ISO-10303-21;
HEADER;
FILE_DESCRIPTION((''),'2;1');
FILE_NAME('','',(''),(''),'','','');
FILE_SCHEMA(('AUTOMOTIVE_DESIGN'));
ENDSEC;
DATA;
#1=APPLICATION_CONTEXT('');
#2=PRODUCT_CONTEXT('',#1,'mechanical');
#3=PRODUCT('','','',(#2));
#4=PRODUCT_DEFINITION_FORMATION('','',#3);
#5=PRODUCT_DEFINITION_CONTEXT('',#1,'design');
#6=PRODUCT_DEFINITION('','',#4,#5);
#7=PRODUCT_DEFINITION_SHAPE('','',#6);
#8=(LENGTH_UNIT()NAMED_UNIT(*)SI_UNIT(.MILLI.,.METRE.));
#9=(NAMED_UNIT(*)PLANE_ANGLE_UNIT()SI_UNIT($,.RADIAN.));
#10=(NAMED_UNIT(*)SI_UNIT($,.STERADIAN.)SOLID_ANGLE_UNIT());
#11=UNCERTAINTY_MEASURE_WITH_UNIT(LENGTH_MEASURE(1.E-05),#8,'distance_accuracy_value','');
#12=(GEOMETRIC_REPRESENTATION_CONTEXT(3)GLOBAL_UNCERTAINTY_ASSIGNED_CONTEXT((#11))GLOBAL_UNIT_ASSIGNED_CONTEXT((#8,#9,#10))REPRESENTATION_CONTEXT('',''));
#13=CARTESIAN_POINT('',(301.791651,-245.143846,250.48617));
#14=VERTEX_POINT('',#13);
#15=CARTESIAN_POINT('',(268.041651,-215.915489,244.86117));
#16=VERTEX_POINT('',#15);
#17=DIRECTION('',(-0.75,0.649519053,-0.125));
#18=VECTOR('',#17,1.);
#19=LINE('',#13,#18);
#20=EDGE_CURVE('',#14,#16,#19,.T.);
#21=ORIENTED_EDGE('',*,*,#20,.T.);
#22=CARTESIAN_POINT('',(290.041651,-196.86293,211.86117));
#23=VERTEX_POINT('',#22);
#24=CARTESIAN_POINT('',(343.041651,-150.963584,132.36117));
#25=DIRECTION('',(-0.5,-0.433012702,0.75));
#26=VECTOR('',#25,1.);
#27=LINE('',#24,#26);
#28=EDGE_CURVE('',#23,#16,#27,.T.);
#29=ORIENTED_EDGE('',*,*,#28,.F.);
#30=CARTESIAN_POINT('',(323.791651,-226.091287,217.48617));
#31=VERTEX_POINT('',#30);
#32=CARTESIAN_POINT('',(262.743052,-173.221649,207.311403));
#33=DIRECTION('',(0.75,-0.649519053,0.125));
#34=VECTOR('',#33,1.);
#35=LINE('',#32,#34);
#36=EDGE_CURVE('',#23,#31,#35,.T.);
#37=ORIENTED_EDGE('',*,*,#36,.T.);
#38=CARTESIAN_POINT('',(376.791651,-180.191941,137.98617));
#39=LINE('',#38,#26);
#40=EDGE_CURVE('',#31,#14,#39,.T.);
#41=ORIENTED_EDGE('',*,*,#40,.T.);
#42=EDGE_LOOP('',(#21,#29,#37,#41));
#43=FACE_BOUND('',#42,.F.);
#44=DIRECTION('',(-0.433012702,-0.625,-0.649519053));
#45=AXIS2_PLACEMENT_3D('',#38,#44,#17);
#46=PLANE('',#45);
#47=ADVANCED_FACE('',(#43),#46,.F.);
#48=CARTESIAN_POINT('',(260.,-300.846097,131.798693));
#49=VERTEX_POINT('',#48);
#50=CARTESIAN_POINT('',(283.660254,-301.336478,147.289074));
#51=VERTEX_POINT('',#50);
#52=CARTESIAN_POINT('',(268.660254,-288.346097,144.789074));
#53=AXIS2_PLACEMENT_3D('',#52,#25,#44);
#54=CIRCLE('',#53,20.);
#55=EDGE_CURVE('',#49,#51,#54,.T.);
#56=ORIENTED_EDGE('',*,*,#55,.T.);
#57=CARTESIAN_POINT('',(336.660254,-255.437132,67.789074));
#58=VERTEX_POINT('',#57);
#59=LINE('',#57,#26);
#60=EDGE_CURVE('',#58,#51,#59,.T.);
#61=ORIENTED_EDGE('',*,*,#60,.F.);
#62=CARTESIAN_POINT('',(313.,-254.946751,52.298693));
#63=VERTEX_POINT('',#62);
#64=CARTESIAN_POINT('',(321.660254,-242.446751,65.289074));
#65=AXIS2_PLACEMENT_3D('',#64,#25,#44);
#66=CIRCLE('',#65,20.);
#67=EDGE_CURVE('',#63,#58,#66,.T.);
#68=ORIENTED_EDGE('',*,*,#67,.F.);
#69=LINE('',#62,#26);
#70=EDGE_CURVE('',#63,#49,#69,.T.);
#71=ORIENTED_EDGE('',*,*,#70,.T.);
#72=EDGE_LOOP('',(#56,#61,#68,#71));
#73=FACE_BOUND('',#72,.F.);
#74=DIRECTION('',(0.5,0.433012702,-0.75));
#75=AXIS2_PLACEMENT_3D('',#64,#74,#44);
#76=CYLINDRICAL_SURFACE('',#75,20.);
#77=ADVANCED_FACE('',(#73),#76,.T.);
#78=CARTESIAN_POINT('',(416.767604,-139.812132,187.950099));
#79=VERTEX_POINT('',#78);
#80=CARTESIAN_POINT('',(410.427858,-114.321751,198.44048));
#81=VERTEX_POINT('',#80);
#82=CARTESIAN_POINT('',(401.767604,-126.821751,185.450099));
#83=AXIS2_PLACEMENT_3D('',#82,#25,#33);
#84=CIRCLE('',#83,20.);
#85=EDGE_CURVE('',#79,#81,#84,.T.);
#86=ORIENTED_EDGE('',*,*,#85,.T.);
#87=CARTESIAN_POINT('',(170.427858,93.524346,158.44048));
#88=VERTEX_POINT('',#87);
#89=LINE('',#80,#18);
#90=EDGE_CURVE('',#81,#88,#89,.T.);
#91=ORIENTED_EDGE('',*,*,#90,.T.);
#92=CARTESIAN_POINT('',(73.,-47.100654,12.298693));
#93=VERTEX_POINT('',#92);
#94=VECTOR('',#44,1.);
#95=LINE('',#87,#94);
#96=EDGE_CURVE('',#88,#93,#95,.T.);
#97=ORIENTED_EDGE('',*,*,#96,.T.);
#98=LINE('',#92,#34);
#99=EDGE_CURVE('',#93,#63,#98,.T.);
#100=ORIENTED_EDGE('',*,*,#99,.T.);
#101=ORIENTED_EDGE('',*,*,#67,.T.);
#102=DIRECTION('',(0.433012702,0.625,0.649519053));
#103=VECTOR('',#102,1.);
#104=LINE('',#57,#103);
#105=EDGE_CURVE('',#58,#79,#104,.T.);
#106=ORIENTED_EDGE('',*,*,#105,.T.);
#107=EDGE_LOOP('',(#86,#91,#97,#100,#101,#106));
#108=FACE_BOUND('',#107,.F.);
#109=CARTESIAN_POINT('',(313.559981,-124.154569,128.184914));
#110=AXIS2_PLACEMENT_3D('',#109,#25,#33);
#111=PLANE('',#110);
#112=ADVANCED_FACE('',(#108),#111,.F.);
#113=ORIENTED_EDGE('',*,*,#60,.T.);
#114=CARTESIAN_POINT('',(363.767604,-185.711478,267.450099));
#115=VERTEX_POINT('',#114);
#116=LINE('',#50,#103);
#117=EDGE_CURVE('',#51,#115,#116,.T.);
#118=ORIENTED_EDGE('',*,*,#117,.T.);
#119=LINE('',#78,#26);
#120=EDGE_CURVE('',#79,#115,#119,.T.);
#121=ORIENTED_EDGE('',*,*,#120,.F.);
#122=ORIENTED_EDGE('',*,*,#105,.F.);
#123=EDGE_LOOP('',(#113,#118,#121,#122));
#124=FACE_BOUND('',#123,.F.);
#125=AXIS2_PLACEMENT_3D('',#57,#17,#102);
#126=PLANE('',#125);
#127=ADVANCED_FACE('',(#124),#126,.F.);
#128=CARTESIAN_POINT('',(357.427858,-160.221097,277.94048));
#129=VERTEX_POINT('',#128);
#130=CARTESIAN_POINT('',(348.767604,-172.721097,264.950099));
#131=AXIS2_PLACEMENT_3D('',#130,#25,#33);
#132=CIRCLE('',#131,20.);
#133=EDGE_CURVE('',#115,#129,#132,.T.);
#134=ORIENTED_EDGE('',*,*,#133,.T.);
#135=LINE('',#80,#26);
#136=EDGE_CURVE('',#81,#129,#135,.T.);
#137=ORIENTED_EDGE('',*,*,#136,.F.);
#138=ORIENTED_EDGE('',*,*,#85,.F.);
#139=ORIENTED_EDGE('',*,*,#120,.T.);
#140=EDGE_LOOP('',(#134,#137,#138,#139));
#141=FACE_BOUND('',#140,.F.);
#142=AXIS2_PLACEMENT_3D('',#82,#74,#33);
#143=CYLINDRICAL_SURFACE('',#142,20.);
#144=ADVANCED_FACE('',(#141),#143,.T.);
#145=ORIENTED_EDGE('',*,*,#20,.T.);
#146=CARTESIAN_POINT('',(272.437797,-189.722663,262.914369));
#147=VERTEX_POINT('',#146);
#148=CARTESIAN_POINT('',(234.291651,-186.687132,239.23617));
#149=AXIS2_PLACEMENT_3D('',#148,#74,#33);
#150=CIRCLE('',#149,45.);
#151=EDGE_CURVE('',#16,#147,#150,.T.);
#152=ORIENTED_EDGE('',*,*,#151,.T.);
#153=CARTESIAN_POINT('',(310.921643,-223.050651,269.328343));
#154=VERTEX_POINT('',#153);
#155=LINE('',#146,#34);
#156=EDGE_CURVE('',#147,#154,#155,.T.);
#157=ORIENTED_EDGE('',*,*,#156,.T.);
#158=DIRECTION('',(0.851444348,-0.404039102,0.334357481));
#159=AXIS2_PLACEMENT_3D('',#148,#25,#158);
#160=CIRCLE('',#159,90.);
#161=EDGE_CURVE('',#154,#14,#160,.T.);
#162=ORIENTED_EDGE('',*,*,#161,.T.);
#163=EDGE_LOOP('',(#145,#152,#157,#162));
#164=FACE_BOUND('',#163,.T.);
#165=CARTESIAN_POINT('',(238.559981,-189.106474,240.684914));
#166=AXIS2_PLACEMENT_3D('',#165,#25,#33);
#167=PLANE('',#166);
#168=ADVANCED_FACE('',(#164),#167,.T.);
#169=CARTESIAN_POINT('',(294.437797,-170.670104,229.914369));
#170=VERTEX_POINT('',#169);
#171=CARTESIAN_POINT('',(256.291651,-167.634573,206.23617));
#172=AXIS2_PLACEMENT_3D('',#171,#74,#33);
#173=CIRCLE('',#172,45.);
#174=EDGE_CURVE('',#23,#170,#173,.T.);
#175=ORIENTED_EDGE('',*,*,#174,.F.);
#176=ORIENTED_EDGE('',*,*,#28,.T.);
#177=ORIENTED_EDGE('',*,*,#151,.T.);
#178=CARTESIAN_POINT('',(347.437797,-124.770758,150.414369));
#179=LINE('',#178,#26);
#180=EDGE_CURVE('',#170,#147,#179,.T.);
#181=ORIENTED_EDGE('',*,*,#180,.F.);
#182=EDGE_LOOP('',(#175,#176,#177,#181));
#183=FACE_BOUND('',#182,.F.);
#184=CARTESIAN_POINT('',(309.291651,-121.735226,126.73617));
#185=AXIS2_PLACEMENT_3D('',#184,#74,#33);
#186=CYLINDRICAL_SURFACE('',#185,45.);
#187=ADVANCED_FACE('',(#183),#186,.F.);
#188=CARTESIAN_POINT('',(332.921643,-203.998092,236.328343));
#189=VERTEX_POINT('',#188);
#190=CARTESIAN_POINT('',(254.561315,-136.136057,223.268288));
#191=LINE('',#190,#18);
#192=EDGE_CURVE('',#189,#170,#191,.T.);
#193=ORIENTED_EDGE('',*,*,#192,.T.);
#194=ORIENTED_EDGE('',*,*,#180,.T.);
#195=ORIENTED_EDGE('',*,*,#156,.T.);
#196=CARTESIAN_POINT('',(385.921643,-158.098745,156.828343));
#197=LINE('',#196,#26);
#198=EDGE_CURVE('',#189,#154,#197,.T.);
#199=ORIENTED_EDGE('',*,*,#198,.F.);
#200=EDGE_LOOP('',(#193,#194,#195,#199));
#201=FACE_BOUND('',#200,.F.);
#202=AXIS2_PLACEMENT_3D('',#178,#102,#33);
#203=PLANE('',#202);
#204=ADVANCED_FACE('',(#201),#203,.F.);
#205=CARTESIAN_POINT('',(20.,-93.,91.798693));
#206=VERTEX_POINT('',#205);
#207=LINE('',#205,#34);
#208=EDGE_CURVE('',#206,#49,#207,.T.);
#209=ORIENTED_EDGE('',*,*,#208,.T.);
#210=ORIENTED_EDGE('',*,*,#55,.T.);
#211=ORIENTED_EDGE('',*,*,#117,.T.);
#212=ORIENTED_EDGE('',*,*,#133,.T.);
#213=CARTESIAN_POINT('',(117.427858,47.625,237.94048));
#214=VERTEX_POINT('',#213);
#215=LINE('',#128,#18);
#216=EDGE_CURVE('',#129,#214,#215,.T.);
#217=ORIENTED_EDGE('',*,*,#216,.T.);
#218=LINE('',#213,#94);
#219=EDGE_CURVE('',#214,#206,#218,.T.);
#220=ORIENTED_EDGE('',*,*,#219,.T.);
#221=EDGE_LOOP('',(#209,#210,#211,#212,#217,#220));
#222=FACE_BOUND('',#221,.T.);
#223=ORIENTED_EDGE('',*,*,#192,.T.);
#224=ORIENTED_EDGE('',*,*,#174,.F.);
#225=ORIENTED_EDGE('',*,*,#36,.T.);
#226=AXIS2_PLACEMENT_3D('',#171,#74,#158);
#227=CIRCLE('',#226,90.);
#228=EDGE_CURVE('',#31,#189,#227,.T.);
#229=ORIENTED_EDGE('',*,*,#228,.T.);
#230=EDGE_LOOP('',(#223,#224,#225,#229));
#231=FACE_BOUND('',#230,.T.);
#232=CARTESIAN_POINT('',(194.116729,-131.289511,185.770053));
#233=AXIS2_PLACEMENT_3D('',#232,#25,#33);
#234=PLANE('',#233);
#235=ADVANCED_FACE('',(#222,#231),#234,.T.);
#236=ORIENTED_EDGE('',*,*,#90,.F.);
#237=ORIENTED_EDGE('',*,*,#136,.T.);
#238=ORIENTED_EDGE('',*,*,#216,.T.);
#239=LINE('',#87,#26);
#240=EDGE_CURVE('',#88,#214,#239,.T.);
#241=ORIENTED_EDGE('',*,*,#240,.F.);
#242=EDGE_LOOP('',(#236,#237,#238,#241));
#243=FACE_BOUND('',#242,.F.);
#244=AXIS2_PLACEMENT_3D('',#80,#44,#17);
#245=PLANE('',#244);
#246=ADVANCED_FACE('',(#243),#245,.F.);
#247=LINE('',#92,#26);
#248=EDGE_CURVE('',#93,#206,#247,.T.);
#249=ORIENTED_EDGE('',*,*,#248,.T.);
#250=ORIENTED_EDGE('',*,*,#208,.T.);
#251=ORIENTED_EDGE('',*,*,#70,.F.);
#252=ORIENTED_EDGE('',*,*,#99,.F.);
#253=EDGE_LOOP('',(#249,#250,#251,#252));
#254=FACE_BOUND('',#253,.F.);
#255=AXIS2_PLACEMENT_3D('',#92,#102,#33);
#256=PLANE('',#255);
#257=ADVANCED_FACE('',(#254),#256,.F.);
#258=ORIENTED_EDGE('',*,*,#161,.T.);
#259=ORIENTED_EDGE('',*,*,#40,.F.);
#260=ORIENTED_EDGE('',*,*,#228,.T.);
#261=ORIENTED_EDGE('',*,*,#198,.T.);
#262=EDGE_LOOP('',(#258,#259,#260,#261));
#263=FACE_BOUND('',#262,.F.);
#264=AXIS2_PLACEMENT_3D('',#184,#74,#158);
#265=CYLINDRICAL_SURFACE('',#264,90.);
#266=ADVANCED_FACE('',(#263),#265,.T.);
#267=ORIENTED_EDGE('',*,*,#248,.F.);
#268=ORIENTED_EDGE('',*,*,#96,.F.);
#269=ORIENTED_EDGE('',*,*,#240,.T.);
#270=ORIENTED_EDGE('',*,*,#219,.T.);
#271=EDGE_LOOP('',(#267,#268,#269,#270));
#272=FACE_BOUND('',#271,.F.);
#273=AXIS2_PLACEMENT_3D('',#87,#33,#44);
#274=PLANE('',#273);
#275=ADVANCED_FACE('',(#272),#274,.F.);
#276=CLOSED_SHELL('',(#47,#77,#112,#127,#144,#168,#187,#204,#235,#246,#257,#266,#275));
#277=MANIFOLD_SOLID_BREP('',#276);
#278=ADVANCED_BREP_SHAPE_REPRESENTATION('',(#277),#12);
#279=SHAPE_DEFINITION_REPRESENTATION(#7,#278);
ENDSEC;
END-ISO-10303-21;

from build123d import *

# Parameters (mm, degrees)
F1_DEPTH = 106
F2_DEPTH = 150
F3_ANGLE = 30
F4_ANGLE = 30
F5_ANGLE = 30


with BuildPart() as f1:
    # F0 (on Top) → F1 (new body)
    with BuildSketch(Plane.XY):
        with BuildLine():
            Line((340, 185), (20, 185))
            Line((20, 185), (20, -40))
            Line((20, -40), (340, -40))
            ThreePointArc((340, -40), (354.1421356237, -34.1421356237), (360, -20))
            Line((360, -20), (360, 165))
            ThreePointArc((360, 165), (354.1421356237, 179.1421356237), (340, 185))
        make_face()
        with BuildLine():
            ThreePointArc((350, 90), (171.2961296312, 74.7808219147), (344.8528137424, 120))
            Line((344.8528137424, 120), (293.5410196625, 120))
            ThreePointArc((293.5410196625, 120), (217.9622438467, 73.9430059602), (305, 90))
            Line((305, 90), (350, 90))
        make_face(mode=Mode.SUBTRACT)
        with BuildLine():
            Line((293.5410196625, 120), (344.8528137424, 120))
            ThreePointArc((344.8528137424, 120), (171.2961296312, 74.7808219147), (350, 90))
            Line((350, 90), (305, 90))
            ThreePointArc((305, 90), (217.9622438467, 73.9430059602), (293.5410196625, 120))
        make_face()
    extrude(amount=F1_DEPTH)

    # F0 (on Top) → F2 (join)
    with BuildSketch(Plane.XY):
        with BuildLine():
            Line((293.5410196625, 120), (344.8528137424, 120))
            ThreePointArc((344.8528137424, 120), (171.2961296312, 74.7808219147), (350, 90))
            Line((350, 90), (305, 90))
            ThreePointArc((305, 90), (217.9622438467, 73.9430059602), (293.5410196625, 120))
        make_face()
    extrude(amount=F2_DEPTH)


with BuildPart() as f1_1:
    # F3: moved
    add(f1.part.rotate(Axis((180, -40, 0), (1, 0, 0)), F3_ANGLE))


with BuildPart() as f1_2:
    # F4: moved
    add(f1_1.part.rotate(Axis((20, 4.4278579257, 148.0486928012), (0, -0.8660254038, -0.5)), F4_ANGLE))


with BuildPart() as f1_3:
    # F5: moved
    add(f1_2.part.rotate(Axis((46.5, -70.0503267997, 52.0486928012), (0.5, 0.4330127019, -0.75)), F5_ANGLE))


solid = f1_3.part
